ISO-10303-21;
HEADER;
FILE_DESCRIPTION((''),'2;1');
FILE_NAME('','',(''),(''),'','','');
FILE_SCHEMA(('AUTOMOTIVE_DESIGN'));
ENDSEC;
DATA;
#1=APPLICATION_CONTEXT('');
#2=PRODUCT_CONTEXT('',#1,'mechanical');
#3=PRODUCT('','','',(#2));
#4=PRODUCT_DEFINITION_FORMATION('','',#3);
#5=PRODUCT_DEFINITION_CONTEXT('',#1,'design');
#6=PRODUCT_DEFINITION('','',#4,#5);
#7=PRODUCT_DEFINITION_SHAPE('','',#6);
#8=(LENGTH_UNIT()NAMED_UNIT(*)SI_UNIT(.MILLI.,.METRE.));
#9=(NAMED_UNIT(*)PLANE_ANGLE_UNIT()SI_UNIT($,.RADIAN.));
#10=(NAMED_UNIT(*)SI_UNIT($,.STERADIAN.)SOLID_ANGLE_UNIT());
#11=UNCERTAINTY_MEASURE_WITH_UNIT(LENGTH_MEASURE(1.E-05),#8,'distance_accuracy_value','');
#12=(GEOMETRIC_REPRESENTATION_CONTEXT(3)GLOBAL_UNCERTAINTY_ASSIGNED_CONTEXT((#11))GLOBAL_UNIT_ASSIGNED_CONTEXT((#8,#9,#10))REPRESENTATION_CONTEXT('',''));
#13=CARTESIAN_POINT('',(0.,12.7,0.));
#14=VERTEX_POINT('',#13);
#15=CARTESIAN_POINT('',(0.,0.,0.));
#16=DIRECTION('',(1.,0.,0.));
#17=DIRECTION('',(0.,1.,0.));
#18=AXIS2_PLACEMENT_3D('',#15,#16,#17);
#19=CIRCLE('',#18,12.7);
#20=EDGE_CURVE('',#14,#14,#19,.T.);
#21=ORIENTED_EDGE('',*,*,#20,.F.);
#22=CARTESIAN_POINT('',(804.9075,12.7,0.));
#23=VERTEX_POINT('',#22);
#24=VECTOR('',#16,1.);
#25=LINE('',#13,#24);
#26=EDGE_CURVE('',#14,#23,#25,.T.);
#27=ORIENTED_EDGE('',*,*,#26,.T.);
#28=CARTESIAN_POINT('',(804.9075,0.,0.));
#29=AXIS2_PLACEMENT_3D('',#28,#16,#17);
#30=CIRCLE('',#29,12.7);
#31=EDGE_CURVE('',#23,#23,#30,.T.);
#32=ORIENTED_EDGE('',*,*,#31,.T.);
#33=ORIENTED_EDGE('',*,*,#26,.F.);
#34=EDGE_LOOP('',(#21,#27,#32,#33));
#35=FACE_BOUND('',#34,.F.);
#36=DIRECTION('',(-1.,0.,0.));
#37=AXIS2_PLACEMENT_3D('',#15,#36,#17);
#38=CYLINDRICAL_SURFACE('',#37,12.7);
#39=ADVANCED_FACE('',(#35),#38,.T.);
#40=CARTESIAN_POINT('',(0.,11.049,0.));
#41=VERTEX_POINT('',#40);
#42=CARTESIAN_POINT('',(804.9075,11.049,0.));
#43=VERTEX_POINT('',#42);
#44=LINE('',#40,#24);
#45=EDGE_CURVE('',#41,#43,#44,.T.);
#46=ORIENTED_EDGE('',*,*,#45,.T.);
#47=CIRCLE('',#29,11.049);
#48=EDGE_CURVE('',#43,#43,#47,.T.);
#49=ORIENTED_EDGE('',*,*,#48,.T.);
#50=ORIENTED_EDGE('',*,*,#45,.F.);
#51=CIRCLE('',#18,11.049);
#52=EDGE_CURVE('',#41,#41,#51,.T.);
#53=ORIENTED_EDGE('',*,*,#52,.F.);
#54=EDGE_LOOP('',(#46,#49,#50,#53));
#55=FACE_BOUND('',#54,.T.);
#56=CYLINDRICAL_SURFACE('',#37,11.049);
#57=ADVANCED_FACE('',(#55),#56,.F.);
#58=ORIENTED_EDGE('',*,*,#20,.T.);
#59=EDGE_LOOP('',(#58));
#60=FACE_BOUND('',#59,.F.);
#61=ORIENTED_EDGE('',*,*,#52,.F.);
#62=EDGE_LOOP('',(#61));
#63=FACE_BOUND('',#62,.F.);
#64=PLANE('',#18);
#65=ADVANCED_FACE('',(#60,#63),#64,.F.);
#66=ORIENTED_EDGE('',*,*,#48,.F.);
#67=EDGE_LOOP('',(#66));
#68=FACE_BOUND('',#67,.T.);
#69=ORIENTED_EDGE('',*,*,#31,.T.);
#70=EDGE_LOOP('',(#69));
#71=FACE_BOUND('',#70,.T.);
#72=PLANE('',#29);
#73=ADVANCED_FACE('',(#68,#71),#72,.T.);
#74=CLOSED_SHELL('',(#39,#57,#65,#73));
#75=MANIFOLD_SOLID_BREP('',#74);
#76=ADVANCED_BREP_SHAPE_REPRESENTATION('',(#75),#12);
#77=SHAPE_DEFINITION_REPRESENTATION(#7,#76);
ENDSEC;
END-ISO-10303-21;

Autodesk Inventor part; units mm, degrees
ref_plane "XZ Plane" through (0, 0, 0) normal (0, 1, 0) x (-1, 0, 0)
ref_plane "Start Plane" through (0, 0, 0) normal (1, 0, 0) x (0, 1, 0)
ref_plane "End Plane" through (804.9075, 0, 0) normal (1, 0, 0) x (0, 1, 0)
sketch "Sketch" plane through (0, 0, 0) normal (1, 0, 0) x (0, 1, 0)
  circle A0 centre (0, 0) radius 12.7
  circle A1 centre (0, 0) radius 11.049
  dimension "d0" = 25.4
  dimension "d1" = 1.651
extrude "Body" add sketch "Sketch" along normal up to surface (804.9075 mm away) from surface at 0
sketch "Sketch2" plane through (0, 0, 0) normal (1, 0, 0) x (0, 1, 0)
  line L0 (0, 0) -> (10, 0)
ref_plane "Work Plane3" through (0, 0, 0) normal (0, 0, -1) x (0, 1, 0)
sketch "Sketch3" plane through (0, 0, 0) normal (0, 0, -1) x (0, 1, 0)
  line L0 (-2, 0) -> (12, 0)
  line L1 (-2, 804.9075) -> (12, 804.9075)
  dimension "d9" = 804.9075
equation "\"G_OFFSET_START\" = 0"
equation "\"G_OFFSET_END\" = 0"
equation "\"d5\" = d2 + G_OFFSET_END"
equation "\"G_L\" = d9"
equation "\"d2\" = 804.907525"
properties part number "4130_1x0.065" material "Steel, Alloy"
